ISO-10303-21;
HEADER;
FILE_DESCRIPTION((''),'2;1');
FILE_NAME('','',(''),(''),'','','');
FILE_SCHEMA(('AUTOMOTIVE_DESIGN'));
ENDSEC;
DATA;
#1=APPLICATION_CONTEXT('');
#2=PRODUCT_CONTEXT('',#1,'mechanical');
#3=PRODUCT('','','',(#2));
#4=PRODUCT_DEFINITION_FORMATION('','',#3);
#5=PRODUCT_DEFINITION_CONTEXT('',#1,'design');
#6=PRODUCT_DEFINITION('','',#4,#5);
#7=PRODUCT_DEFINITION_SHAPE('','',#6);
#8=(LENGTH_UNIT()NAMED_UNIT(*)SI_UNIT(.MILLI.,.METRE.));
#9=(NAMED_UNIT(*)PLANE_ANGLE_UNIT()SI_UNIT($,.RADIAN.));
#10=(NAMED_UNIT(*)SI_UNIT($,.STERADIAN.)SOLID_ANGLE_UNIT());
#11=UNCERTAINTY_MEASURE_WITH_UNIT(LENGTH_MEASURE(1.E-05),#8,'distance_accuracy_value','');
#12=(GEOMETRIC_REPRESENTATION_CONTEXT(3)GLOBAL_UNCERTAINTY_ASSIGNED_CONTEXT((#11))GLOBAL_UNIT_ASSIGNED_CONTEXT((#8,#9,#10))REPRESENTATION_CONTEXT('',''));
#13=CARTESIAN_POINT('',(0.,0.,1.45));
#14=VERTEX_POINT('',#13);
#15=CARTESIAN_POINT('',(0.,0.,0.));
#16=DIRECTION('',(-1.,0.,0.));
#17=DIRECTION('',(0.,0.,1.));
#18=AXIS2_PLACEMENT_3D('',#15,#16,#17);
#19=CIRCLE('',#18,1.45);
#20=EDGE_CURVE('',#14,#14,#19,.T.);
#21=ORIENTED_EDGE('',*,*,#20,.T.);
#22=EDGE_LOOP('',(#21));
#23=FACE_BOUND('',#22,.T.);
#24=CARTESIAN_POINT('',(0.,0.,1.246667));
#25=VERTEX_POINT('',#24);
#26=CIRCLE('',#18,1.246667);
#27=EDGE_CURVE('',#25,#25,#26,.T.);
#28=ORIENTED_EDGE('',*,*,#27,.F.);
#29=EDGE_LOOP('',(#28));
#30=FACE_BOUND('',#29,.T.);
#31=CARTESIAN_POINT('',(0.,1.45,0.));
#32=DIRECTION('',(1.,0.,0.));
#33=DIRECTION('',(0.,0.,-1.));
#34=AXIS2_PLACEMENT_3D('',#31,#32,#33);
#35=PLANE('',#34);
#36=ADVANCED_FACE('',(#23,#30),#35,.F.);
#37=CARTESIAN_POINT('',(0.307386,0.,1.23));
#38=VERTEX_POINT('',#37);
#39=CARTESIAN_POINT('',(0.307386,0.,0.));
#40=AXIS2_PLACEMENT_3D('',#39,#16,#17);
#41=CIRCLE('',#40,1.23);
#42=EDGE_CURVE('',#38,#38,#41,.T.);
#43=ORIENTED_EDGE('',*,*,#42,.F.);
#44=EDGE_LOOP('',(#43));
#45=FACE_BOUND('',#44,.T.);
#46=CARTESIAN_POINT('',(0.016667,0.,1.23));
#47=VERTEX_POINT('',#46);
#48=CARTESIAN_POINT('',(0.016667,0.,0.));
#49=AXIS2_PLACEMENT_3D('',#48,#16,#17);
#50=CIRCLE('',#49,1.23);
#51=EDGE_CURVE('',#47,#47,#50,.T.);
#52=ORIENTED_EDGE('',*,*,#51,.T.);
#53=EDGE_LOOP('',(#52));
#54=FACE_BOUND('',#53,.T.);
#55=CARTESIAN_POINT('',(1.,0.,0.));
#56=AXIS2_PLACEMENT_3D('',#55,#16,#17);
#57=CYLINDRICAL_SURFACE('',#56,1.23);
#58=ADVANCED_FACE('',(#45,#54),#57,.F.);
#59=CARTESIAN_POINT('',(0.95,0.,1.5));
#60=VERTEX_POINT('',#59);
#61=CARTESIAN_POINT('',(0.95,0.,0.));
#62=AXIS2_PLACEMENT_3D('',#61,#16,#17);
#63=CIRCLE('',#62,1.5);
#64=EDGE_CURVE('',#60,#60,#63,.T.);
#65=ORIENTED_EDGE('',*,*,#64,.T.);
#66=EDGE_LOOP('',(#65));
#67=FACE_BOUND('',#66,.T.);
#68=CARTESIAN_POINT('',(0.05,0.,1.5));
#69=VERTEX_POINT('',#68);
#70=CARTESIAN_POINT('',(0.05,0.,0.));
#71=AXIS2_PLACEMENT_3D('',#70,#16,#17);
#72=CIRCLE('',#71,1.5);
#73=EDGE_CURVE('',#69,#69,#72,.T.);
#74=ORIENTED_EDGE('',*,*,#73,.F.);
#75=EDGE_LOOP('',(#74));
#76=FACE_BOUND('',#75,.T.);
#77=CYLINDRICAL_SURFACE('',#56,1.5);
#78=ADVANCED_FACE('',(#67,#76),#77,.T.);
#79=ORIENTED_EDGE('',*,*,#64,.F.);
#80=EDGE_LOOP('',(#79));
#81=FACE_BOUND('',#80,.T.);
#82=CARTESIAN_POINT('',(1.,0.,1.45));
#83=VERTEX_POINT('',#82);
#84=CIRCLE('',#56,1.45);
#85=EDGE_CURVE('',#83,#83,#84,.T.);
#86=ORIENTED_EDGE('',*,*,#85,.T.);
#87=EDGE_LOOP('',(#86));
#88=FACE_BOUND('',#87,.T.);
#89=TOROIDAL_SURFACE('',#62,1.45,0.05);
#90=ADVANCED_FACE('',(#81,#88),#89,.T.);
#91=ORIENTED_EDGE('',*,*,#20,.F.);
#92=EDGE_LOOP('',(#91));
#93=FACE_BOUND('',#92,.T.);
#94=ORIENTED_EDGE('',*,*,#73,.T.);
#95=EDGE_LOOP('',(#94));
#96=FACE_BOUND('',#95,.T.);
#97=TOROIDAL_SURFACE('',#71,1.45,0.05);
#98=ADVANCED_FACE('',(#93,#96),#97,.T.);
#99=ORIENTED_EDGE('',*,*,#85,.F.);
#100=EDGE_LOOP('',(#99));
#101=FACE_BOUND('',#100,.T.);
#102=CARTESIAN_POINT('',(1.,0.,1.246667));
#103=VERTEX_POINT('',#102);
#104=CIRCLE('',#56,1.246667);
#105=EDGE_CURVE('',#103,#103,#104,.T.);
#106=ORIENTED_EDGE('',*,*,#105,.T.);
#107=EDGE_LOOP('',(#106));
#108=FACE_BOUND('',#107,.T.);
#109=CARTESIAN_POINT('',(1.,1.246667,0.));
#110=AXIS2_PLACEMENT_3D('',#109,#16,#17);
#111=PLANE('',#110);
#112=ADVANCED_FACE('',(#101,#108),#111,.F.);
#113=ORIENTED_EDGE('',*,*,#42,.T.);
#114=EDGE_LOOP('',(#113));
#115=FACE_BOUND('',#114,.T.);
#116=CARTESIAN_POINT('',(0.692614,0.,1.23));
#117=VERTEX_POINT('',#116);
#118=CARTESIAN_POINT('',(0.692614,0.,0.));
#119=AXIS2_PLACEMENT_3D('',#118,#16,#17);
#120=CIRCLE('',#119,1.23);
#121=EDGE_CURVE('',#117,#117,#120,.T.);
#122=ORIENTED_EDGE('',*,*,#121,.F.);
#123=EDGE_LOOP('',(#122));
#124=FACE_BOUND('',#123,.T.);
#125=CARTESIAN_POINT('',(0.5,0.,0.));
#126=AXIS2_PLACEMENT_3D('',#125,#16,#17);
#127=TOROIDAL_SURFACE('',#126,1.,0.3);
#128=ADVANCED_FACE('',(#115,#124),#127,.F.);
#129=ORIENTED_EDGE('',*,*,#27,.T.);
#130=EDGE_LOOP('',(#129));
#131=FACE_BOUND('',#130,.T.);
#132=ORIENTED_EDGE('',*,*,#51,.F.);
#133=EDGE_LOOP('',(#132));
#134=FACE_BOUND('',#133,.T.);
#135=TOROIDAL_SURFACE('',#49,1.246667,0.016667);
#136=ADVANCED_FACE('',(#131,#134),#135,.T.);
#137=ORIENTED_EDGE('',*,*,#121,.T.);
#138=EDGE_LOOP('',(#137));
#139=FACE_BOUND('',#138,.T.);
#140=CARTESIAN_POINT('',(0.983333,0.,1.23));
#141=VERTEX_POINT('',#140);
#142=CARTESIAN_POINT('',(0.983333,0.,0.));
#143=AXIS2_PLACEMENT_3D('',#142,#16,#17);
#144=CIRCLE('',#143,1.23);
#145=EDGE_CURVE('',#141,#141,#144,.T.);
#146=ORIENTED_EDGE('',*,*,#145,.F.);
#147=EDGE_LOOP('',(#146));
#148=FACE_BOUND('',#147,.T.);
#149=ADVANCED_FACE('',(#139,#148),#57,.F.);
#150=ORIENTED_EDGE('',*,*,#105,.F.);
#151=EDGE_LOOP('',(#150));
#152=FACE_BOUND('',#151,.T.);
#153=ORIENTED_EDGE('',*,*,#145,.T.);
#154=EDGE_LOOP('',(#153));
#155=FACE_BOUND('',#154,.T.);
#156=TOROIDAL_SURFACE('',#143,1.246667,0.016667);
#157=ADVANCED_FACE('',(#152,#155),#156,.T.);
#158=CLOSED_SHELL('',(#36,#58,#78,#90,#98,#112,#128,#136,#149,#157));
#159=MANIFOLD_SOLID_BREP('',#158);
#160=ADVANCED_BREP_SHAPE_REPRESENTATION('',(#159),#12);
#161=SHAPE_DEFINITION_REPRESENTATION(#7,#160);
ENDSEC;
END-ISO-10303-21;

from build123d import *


with BuildPart() as part:
    # Sketch1 → Revolve1 (revolve)
    with BuildSketch(Plane.XY):
        with BuildLine():
            Line((0.016666667, 1.23), (0.307386397, 1.23))
            ThreePointArc((0.307386397, 1.23), (0.5, 1.3), (0.692613603, 1.23))
            Line((0.692613603, 1.23), (0.983333333, 1.23))
            ThreePointArc((0.983333333, 1.23), (0.995118446, 1.234881554), (1, 1.246666667))
            Line((1, 1.246666667), (1, 1.45))
            ThreePointArc((1, 1.45), (0.985355339, 1.485355339), (0.95, 1.5))
            Line((0.95, 1.5), (0.05, 1.5))
            ThreePointArc((0.05, 1.5), (0.014644661, 1.485355339), (0, 1.45))
            Line((0, 1.45), (0, 1.246666667))
            ThreePointArc((0, 1.246666667), (0.004881554, 1.234881554), (0.016666667, 1.23))
        make_face()
    revolve(axis=Axis((1, 0, 0), (-1, 0, 0)))


solid = part.part
